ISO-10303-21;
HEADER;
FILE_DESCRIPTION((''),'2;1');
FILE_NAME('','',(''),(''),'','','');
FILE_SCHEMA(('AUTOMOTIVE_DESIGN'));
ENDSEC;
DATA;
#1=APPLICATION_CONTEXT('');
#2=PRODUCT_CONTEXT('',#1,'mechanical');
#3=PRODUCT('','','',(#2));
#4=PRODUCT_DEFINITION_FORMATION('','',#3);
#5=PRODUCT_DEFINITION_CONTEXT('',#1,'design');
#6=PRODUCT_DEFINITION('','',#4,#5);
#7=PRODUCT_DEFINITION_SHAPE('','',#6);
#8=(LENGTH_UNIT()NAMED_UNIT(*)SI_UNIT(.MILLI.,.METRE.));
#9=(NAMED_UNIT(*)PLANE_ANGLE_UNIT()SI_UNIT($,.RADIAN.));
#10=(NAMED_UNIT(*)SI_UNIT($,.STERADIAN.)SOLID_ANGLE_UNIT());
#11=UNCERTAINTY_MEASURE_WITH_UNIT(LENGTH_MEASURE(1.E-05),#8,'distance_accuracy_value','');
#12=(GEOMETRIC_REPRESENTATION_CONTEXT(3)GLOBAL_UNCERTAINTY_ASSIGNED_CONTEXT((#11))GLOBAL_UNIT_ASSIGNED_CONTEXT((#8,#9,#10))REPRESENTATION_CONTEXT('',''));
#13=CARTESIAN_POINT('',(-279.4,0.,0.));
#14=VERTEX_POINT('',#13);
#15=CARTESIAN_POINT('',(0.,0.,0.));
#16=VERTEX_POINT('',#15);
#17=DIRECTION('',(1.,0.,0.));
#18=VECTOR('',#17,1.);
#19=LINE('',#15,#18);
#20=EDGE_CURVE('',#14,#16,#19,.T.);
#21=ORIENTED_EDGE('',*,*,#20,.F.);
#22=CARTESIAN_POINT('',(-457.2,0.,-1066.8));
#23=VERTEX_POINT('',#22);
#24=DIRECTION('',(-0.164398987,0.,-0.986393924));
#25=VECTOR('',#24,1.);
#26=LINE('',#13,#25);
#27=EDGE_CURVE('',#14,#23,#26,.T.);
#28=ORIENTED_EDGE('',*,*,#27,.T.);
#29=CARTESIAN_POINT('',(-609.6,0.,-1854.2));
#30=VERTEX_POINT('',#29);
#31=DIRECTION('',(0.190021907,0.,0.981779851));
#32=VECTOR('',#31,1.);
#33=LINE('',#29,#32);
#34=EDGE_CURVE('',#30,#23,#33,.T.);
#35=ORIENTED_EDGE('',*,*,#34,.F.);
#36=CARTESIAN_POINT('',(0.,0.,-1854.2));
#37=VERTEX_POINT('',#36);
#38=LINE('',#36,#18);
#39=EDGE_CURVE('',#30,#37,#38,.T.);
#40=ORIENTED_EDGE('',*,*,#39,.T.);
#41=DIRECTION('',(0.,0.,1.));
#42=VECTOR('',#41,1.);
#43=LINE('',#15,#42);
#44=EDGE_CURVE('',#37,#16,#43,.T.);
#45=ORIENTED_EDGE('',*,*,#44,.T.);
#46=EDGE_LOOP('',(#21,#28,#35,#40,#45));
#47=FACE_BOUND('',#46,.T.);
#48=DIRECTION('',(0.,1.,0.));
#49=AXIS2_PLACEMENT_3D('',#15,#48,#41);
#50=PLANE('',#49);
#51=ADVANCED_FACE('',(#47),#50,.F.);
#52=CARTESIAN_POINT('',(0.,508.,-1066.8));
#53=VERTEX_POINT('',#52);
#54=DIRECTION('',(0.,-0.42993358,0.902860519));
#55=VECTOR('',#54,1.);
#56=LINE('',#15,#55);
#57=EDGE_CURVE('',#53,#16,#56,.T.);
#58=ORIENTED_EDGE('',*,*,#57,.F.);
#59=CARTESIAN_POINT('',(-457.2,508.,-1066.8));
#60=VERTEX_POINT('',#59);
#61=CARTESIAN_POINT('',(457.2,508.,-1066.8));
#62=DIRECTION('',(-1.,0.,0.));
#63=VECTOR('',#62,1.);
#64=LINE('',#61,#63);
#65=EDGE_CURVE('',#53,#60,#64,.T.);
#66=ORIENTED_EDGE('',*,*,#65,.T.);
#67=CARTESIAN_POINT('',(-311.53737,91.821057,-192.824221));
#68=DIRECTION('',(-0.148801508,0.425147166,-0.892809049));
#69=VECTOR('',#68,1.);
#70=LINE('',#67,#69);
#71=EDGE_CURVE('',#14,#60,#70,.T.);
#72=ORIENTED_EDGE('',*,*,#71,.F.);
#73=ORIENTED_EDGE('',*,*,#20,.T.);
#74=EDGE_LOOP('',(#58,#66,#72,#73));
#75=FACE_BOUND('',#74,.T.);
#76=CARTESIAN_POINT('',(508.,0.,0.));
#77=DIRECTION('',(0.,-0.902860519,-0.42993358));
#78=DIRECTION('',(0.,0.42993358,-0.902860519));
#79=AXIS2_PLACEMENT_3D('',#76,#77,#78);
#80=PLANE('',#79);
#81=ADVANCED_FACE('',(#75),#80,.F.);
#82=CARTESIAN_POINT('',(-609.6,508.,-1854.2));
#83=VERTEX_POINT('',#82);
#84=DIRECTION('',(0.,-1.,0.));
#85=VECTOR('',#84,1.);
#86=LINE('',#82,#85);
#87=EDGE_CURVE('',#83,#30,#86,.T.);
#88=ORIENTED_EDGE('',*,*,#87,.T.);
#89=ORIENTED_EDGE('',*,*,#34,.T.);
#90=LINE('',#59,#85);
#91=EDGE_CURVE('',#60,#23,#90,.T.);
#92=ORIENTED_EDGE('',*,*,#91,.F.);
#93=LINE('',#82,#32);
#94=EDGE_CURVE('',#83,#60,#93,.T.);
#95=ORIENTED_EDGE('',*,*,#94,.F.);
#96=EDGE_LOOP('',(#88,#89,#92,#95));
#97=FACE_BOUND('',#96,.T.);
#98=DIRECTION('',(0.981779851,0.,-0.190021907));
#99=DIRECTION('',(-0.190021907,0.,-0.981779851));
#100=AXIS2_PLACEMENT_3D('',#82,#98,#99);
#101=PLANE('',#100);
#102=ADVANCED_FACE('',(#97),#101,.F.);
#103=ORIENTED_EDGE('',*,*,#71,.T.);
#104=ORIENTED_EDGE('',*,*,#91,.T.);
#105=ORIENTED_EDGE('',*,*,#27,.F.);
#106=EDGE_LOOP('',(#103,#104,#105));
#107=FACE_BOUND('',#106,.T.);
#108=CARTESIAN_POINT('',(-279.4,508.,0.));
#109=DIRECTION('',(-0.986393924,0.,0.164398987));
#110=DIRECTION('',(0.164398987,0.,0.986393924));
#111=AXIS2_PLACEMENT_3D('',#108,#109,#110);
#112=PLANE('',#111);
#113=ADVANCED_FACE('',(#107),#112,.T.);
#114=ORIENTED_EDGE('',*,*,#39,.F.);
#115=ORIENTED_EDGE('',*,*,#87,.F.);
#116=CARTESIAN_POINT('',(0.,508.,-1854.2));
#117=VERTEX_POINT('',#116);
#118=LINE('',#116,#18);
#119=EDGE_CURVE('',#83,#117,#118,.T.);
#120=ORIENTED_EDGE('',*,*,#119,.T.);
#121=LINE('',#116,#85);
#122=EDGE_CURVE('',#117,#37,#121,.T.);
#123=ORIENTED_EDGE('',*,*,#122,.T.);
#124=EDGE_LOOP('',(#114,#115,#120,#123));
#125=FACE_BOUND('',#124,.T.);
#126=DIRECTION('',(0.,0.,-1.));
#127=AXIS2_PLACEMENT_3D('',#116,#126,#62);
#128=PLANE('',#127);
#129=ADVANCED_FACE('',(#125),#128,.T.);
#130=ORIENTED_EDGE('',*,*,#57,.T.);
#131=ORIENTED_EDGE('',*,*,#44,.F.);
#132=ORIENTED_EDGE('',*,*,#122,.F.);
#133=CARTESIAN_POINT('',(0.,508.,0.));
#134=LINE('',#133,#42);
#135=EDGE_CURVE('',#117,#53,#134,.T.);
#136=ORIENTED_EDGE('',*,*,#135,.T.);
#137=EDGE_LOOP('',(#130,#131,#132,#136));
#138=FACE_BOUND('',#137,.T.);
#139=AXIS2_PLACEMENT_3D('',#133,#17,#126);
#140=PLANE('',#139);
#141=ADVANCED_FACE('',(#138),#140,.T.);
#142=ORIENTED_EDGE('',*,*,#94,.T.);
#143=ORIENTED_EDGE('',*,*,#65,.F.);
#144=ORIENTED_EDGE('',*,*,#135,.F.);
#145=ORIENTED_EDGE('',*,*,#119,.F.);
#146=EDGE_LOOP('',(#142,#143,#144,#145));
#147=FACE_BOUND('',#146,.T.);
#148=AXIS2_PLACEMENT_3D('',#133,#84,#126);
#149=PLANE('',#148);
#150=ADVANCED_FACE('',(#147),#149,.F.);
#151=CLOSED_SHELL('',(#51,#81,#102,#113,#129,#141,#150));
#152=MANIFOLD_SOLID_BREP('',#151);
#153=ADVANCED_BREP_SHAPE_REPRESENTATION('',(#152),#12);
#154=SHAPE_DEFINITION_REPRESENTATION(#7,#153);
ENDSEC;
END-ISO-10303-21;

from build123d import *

# Parameters (mm, degrees)
BOSS_EXTRUDE1_DEPTH = 508
CUT_EXTRUDE1_DEPTH  = 508
BOSS_EXTRUDE2_DEPTH = 508
SKETCH4_W           = 1308.893904866
SKETCH4_H           = 2214.808655257
CUT_EXTRUDE2_DEPTH  = 509


with BuildPart() as part:
    # Sketch1 → Boss-Extrude1 (new body)
    with BuildSketch(Plane(origin=(0, 0, 0), x_dir=(1, 0, 0), z_dir=(0, 1, 0))):
        Polygon((0, 1066.8), (0, 0), (279.4, 0), (457.2, 1066.8), align=None)
    boss_extrude1 = extrude(amount=BOSS_EXTRUDE1_DEPTH)

    # Sketch2 → Cut-Extrude1 (cut)
    with BuildSketch(Plane.ZY):
        Polygon((0, 0), (-1066.8, 508), (-1066.8, 732.672417782), (0, 732.672417782), align=None)
    cut_extrude1 = extrude(amount=-CUT_EXTRUDE1_DEPTH, mode=Mode.SUBTRACT)

    # Sketch3 → Boss-Extrude2 (add)
    with BuildSketch(Plane.XZ):
        Polygon((0, -1066.8), (0, -1854.2), (609.6, -1854.2), (457.2, -1066.8), align=None)
    boss_extrude2 = extrude(amount=-BOSS_EXTRUDE2_DEPTH)

    # Mirror1: Boss-Extrude1, Cut-Extrude1, Boss-Extrude2 across plane
    add(boss_extrude1.mirror(Plane(origin=(0, 508, -1066.8), x_dir=(0, 0, 1), z_dir=(1, 0, 0))))
    add(cut_extrude1.mirror(Plane(origin=(0, 508, -1066.8), x_dir=(0, 0, 1), z_dir=(1, 0, 0))), mode=Mode.SUBTRACT)
    add(boss_extrude2.mirror(Plane(origin=(0, 508, -1066.8), x_dir=(0, 0, 1), z_dir=(1, 0, 0))))

    # Sketch4 → Cut-Extrude2 (cut, through all)
    with BuildSketch(Plane(origin=(0, 0, 0), x_dir=(1, 0, 0), z_dir=(0, 1, 0))):
        with Locations((654.446952433, 1107.404327629)):
            Rectangle(SKETCH4_W, SKETCH4_H)
    extrude(amount=CUT_EXTRUDE2_DEPTH, mode=Mode.SUBTRACT)


solid = part.part
